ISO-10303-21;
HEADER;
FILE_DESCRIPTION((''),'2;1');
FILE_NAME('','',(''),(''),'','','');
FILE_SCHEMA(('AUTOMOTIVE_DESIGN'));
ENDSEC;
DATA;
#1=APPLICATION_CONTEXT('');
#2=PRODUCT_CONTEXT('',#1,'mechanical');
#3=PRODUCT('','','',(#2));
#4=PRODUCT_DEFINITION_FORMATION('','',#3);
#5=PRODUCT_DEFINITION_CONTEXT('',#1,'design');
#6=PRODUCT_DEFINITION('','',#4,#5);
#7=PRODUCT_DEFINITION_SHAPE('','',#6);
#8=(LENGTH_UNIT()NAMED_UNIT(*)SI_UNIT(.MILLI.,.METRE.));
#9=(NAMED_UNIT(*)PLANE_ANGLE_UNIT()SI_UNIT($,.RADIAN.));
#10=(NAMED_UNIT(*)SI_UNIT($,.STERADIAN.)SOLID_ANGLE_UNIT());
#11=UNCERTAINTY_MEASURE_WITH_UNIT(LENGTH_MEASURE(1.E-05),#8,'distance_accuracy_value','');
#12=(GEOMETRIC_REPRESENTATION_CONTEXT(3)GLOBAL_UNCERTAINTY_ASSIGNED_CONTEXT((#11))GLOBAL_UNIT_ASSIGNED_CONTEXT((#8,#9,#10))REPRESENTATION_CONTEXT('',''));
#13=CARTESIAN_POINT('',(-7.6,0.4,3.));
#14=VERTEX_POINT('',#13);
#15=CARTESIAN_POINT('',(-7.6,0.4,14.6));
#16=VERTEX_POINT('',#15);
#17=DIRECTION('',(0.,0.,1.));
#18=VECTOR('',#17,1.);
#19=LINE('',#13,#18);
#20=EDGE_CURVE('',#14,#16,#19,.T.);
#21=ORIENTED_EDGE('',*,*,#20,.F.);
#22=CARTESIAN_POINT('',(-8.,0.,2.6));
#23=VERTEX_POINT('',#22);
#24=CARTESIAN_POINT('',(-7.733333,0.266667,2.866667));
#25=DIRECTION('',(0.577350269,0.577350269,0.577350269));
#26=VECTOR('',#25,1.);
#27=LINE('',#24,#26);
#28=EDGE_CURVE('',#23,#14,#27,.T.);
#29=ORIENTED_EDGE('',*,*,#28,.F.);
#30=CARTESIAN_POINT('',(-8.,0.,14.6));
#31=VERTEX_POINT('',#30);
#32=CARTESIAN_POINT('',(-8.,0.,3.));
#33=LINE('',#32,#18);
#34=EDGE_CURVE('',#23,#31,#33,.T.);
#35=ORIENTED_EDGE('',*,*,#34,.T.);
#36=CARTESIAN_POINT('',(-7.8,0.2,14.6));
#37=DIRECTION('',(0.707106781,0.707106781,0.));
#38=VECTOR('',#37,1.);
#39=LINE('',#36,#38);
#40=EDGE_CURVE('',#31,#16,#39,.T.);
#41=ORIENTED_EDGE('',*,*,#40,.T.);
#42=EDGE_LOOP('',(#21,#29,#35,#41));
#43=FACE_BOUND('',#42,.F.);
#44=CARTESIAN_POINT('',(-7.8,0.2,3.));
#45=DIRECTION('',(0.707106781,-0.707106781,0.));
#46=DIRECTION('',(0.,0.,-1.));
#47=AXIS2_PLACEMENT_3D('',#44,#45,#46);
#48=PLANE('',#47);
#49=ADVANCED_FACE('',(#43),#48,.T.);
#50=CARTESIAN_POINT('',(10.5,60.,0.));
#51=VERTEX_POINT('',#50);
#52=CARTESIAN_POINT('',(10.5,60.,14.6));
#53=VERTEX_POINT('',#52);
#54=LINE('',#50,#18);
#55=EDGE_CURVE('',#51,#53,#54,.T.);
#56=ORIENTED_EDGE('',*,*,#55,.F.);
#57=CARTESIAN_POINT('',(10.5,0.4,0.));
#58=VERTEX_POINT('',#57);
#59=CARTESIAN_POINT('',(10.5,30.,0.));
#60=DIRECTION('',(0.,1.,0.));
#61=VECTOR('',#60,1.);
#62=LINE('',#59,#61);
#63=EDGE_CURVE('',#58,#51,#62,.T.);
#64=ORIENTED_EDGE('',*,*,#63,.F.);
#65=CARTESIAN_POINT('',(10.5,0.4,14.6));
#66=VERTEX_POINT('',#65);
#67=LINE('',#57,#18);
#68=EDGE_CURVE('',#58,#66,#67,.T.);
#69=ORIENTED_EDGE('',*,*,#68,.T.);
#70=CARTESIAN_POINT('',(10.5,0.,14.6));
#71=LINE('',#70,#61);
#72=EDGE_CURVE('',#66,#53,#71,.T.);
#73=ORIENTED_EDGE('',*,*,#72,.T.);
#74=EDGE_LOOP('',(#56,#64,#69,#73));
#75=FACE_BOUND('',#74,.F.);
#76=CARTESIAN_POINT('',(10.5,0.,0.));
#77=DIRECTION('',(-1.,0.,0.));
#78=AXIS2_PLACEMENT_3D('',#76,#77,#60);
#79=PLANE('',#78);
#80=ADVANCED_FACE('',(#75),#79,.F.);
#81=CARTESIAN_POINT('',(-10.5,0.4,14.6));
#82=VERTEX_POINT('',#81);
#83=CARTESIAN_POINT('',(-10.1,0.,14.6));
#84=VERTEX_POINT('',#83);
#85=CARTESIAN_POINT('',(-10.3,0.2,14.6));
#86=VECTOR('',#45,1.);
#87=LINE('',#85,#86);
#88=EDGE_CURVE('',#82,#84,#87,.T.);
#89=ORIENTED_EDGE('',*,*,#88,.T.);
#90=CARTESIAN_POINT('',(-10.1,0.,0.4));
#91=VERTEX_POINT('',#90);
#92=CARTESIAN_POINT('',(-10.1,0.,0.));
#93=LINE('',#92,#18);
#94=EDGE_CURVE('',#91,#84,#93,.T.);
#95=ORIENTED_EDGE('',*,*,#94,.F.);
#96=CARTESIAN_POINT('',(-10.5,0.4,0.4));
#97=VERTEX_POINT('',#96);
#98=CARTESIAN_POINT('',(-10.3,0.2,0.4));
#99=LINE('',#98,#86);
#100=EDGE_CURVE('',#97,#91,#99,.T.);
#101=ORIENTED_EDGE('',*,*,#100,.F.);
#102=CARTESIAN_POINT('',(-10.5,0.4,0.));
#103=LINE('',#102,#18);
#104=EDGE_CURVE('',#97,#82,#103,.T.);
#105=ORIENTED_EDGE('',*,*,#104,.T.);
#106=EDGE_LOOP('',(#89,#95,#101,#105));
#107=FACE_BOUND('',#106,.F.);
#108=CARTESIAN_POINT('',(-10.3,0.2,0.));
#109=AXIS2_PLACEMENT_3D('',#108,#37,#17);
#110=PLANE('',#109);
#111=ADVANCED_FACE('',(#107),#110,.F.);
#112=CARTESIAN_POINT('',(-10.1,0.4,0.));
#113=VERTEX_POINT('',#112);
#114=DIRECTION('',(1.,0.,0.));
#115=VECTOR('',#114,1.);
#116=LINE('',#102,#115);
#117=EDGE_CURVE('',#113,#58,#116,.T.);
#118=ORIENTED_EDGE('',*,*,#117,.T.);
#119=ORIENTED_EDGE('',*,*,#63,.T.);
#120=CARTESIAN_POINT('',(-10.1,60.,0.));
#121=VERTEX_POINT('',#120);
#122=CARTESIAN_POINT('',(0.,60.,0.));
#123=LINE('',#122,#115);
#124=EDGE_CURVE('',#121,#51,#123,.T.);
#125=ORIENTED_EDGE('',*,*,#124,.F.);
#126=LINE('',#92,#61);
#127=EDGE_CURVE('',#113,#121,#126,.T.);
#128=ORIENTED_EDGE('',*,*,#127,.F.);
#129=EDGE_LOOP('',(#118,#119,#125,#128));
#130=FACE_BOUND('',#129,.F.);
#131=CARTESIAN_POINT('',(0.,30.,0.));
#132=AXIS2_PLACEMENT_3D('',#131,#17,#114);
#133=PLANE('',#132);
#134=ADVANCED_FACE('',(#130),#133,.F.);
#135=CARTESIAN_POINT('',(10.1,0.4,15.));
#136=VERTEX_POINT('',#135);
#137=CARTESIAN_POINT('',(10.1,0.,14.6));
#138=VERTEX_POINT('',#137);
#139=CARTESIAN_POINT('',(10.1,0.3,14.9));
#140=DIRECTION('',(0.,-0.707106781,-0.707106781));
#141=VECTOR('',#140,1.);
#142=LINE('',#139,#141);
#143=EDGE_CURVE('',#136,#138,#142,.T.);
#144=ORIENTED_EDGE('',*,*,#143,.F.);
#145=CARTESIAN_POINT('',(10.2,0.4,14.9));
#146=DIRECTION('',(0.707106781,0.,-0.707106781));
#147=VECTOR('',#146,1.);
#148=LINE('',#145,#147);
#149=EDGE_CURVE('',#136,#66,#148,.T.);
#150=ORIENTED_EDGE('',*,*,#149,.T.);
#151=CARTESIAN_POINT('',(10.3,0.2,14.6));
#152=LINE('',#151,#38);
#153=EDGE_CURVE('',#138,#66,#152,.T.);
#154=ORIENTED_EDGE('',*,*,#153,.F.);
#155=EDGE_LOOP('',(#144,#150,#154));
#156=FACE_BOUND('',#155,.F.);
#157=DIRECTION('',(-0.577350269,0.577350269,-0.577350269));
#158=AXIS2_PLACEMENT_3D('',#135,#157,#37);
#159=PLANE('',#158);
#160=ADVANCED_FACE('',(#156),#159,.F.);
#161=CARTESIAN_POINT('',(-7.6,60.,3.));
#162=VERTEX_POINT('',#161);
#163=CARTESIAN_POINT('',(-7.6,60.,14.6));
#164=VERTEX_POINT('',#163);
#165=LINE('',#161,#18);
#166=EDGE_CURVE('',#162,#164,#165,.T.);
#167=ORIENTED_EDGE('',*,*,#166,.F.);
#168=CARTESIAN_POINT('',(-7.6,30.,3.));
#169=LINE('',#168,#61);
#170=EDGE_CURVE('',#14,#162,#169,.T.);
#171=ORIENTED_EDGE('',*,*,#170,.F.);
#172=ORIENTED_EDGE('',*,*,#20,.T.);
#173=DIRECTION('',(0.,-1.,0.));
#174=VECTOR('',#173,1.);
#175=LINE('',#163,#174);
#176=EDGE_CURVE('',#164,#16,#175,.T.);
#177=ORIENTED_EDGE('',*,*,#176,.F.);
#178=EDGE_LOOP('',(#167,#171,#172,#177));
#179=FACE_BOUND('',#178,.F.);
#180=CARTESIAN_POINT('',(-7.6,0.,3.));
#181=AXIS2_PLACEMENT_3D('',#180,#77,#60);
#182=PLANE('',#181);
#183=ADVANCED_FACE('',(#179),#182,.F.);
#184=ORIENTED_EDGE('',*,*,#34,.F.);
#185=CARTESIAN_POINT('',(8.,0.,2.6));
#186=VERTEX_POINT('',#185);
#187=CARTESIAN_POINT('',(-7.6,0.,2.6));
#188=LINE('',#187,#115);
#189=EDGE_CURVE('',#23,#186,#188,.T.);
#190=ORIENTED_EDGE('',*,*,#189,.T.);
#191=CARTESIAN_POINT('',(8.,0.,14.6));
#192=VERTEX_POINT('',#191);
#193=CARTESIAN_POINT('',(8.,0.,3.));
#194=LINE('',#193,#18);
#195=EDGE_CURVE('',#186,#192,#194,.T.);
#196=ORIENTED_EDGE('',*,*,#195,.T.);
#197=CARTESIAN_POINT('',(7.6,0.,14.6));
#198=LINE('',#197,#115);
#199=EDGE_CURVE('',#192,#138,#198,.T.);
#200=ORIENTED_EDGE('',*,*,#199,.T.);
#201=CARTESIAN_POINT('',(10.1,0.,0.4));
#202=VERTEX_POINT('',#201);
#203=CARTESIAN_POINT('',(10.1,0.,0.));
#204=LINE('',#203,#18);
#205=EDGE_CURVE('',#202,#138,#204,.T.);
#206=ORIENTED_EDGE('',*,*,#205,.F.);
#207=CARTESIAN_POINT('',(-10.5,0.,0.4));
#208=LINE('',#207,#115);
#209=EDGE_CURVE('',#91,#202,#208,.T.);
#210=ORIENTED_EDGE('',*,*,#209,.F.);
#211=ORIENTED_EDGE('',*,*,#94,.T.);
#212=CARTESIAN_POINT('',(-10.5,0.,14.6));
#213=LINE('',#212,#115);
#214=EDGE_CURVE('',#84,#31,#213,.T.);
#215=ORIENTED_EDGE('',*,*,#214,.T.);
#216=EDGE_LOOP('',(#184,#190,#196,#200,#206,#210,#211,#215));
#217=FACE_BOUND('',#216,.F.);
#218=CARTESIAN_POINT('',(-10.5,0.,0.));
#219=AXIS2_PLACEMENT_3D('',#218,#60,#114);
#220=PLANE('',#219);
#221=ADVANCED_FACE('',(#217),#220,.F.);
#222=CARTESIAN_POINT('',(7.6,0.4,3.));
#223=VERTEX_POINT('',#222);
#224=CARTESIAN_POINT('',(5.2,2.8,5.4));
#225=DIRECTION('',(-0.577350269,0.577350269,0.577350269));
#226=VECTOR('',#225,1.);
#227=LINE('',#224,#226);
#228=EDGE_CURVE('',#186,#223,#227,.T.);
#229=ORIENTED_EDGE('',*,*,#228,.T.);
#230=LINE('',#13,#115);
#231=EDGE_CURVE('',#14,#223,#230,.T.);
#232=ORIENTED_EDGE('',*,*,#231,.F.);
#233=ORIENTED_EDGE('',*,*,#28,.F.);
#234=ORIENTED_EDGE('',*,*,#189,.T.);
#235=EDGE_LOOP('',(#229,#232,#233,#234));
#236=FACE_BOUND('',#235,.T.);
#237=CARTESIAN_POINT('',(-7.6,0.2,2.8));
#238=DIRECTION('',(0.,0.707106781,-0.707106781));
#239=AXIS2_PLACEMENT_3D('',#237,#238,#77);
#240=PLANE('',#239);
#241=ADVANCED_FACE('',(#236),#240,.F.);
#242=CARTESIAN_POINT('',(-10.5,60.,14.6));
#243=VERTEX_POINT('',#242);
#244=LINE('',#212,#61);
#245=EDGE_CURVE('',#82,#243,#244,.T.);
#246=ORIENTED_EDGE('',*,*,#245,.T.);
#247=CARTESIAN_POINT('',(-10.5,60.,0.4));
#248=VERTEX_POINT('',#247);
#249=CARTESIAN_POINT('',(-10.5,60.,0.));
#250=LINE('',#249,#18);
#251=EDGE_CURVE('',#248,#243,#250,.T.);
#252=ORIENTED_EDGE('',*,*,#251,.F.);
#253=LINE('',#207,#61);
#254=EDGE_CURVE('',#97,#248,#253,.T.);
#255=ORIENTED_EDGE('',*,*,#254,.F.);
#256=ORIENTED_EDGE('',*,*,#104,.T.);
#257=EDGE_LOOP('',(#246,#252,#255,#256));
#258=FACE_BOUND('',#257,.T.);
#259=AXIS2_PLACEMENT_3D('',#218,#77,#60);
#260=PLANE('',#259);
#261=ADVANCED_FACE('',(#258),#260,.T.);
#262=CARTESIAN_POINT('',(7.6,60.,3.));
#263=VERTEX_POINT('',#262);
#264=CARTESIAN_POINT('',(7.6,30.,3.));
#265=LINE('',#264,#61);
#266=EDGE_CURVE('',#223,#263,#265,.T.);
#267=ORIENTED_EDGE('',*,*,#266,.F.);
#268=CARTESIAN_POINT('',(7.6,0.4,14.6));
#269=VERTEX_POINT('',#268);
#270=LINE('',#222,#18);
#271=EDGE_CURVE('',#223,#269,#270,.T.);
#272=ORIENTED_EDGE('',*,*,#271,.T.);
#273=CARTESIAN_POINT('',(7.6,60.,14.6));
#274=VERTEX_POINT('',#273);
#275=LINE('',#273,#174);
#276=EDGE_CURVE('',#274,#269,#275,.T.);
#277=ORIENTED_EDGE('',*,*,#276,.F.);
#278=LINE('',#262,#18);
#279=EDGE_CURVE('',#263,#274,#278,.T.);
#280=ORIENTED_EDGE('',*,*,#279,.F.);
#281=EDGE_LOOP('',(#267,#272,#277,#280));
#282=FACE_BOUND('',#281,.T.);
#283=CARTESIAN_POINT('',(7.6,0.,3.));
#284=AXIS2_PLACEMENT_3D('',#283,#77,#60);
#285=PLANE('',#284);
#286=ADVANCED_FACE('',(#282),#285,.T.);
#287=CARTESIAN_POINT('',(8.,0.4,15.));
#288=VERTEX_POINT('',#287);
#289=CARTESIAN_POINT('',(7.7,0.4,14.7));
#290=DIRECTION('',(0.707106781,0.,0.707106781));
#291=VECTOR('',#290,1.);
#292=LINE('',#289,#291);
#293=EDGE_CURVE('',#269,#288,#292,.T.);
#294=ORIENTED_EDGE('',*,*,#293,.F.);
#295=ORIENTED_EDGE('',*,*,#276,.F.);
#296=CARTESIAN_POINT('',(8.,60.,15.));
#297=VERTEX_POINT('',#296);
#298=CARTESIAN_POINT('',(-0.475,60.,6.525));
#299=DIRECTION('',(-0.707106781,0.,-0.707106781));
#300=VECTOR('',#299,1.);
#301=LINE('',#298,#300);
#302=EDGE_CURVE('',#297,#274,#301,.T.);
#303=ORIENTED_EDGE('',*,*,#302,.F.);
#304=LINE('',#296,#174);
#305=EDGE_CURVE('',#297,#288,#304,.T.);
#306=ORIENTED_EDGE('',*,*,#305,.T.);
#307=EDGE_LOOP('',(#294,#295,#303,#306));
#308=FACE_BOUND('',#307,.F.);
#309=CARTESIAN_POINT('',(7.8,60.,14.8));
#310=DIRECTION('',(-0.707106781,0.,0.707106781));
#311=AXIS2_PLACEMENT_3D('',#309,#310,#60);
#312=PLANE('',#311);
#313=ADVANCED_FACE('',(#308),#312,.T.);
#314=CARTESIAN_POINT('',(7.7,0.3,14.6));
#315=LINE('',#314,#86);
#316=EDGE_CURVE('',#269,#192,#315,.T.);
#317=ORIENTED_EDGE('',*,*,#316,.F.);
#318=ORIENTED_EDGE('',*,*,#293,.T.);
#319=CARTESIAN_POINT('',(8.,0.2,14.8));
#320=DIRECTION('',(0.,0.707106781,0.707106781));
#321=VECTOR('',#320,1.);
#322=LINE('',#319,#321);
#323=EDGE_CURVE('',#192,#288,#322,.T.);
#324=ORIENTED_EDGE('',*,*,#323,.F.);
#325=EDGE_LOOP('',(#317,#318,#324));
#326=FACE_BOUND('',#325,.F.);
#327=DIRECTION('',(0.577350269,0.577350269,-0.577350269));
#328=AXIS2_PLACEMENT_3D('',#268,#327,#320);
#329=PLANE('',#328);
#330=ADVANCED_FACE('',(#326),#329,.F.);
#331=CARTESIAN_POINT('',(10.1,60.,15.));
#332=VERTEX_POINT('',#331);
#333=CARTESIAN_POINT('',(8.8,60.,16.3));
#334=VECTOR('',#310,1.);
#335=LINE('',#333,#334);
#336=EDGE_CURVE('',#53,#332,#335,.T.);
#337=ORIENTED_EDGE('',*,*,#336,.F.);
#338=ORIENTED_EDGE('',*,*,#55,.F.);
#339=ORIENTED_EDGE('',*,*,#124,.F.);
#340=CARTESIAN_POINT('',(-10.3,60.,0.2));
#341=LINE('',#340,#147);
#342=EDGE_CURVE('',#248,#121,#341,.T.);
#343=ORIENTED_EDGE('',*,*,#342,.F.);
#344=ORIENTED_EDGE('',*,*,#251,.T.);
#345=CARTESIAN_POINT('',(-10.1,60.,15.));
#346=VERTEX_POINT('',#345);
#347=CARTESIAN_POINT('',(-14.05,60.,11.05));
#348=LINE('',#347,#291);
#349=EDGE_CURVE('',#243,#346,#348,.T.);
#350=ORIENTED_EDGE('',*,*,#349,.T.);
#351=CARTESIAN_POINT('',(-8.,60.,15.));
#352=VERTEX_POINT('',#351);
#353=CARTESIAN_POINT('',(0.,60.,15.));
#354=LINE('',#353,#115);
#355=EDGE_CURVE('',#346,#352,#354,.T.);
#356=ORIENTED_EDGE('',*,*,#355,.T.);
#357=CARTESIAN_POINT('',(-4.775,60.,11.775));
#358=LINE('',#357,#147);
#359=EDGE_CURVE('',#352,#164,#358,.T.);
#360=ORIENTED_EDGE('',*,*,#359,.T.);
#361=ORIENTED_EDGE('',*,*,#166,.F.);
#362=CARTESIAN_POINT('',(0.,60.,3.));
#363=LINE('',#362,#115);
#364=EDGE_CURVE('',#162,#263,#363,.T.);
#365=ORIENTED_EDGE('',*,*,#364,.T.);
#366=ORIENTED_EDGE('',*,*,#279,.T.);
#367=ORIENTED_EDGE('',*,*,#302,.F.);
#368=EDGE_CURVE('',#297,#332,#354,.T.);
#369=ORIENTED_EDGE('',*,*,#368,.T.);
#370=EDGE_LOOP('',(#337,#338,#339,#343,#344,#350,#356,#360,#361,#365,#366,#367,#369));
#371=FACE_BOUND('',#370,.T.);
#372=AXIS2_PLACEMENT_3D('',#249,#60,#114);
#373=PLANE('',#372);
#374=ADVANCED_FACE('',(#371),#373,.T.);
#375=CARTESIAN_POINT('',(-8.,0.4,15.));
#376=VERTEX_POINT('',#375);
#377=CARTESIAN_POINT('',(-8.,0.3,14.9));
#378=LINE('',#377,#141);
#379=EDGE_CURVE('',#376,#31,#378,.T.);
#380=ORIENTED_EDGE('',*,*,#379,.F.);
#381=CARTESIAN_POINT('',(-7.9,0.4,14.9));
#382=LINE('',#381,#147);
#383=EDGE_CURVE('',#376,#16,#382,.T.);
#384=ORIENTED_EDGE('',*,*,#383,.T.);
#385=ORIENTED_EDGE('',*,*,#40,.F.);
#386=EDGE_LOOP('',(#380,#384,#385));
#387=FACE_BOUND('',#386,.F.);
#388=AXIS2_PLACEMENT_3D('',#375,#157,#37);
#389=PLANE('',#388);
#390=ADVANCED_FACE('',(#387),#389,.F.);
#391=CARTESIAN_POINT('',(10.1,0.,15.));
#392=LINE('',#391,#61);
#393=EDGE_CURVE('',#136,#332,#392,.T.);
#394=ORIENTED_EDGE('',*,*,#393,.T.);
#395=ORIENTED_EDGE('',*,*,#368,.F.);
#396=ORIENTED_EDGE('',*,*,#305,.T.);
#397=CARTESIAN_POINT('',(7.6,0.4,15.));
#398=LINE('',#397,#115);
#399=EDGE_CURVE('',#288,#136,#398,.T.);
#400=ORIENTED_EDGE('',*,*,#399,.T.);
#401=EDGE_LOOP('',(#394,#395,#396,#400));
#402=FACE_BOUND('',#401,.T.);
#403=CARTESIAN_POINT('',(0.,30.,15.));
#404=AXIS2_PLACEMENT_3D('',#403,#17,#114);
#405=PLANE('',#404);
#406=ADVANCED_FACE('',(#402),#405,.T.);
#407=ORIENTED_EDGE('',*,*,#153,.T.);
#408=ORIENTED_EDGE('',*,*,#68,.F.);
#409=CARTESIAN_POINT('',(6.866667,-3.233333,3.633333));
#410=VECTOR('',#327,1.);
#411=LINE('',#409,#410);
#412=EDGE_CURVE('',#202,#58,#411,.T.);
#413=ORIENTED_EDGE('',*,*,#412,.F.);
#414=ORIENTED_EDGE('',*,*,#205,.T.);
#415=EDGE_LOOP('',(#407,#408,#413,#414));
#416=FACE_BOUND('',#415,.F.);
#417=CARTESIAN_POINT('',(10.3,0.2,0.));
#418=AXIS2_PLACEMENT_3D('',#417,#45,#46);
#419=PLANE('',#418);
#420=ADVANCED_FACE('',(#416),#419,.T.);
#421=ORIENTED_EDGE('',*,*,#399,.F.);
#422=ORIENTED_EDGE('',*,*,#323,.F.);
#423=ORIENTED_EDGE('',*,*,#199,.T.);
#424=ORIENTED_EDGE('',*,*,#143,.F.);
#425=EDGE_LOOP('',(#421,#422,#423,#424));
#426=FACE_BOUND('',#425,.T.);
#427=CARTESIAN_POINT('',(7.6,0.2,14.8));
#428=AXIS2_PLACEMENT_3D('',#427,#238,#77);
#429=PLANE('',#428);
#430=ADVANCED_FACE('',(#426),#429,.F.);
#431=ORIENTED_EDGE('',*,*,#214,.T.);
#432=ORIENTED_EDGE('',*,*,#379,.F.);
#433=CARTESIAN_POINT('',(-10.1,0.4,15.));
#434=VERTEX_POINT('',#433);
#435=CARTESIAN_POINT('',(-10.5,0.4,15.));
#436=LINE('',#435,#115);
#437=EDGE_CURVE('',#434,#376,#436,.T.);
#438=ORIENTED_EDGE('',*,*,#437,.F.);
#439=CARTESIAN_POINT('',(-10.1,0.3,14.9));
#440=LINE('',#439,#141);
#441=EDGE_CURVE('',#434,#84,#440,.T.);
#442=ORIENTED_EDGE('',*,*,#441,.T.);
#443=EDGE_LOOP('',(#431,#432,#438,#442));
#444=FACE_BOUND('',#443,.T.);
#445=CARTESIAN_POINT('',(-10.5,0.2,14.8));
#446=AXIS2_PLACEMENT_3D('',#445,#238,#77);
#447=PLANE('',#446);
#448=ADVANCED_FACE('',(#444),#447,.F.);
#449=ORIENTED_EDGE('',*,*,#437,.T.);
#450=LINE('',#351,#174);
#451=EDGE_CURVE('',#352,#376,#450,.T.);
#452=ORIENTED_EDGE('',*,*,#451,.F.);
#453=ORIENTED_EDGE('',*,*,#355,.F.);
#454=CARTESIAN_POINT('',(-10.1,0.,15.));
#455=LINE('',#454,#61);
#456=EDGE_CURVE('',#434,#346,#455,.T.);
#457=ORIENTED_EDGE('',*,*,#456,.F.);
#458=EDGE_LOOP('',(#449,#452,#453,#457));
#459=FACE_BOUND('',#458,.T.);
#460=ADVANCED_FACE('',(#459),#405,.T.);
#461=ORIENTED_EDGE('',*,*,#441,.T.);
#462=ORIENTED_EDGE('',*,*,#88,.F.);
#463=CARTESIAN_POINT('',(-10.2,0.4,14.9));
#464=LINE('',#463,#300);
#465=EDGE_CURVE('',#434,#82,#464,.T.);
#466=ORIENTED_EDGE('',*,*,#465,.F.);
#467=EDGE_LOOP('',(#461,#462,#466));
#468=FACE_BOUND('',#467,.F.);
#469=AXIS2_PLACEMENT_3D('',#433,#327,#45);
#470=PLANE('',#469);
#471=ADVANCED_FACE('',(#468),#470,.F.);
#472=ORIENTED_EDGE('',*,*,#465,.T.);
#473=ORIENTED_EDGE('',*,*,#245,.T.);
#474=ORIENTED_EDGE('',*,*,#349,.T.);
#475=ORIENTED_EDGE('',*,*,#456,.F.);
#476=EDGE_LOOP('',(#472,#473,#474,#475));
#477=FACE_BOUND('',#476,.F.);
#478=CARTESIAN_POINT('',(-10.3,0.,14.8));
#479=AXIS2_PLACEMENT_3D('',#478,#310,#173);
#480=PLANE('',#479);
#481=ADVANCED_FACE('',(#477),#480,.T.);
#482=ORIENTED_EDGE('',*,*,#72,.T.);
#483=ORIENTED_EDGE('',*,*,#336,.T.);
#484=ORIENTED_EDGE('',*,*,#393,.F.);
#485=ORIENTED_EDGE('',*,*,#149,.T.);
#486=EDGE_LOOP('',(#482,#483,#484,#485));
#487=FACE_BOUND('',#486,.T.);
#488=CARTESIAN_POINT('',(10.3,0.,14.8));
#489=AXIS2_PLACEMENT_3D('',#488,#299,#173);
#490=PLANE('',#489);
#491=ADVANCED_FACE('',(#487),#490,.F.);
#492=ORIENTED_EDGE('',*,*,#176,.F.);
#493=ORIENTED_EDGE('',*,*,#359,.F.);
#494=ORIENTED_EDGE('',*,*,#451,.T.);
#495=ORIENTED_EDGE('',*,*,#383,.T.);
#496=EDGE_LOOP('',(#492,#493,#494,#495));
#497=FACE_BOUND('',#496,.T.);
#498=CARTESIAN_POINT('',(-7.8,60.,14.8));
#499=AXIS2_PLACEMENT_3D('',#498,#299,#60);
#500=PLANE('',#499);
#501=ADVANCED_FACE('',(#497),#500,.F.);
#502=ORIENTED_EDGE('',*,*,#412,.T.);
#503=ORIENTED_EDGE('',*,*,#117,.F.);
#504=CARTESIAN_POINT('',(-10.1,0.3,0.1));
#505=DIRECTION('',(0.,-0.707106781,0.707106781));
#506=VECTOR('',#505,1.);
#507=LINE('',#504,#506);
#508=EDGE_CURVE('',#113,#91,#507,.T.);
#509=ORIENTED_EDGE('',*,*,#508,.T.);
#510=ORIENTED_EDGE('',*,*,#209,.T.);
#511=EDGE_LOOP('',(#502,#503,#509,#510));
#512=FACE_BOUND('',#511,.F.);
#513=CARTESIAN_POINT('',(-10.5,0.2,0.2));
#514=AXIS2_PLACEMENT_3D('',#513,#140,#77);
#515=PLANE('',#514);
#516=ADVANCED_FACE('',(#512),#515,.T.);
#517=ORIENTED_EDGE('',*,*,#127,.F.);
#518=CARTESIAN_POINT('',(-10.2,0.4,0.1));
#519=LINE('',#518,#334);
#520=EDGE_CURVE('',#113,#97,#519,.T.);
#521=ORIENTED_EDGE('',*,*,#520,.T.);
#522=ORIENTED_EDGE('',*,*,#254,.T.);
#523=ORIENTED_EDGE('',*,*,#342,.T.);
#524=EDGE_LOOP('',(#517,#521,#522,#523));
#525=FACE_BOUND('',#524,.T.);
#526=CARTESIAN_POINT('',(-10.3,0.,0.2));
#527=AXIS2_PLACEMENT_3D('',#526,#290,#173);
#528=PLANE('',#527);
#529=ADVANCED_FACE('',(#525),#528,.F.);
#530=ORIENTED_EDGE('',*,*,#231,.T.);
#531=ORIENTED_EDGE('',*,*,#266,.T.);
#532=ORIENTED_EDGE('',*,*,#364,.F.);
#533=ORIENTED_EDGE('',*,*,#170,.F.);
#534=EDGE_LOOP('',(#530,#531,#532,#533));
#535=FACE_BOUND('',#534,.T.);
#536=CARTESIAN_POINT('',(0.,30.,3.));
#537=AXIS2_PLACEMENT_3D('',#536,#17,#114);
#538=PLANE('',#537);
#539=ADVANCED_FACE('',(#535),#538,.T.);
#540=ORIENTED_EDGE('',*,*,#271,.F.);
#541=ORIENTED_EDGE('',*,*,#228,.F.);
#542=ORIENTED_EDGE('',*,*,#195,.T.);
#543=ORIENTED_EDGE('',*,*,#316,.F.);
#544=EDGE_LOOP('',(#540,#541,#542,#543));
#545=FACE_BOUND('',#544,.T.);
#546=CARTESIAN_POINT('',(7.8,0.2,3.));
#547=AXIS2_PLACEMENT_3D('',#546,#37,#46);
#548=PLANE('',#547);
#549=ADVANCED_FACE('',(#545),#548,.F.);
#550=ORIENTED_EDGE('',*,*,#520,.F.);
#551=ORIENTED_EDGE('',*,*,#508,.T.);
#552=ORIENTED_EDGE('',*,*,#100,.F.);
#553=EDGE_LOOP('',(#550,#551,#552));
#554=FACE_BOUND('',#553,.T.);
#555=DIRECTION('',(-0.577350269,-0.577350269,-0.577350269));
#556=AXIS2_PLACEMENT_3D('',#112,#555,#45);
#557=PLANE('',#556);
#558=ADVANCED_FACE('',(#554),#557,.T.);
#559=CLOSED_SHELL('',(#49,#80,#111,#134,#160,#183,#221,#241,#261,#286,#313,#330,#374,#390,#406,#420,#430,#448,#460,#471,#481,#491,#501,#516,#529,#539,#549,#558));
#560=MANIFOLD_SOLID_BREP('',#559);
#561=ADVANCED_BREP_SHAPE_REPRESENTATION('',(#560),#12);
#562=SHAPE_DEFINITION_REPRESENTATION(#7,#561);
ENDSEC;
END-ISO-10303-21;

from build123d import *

# Parameters (mm, degrees)
BOX_W        = 15.2
BOX_H        = 60
BOX_DEPTH    = 15
BOX001_W     = 21
BOX001_H     = 60
BOX001_DEPTH = 15
CHAMFER_SIZE = 0.4


with BuildPart() as cube:
    # Box → Box (new body)
    with BuildSketch(Plane(origin=(-7.6, 0, 3), x_dir=(1, 0, 0), z_dir=(0, 0, 1))):
        with Locations((7.6, 30)):
            Rectangle(BOX_W, BOX_H)
    extrude(amount=BOX_DEPTH)


with BuildPart() as pref:
    # Box001 → Box001 (new body)
    with BuildSketch(Plane(origin=(-10.5, 0, 0), x_dir=(1, 0, 0), z_dir=(0, 0, 1))):
        with Locations((10.5, 30)):
            Rectangle(BOX001_W, BOX001_H)
    extrude(amount=BOX001_DEPTH)

    # Cut: cut Cube
    add(cube.part, mode=Mode.SUBTRACT)

    # Chamfer
    chamfer_edges = [pref.edges().sort_by_distance(p)[0] for p in [
        (-10.5, 0, 7.5),
        (-10.5, 30, 15),
        (-10.5, 30, 0),
        (10.5, 0, 7.5),
        (9.05, 0, 15),
        (7.6, 0, 9),
        (0, 0, 3),
        (-7.6, 0, 9),
        (-9.05, 0, 15),
        (0, 0, 0),
        (-7.6, 30, 15),
        (10.5, 30, 15),
        (7.6, 30, 15),
    ]]
    chamfer(chamfer_edges, length=CHAMFER_SIZE)


solid = pref.part
